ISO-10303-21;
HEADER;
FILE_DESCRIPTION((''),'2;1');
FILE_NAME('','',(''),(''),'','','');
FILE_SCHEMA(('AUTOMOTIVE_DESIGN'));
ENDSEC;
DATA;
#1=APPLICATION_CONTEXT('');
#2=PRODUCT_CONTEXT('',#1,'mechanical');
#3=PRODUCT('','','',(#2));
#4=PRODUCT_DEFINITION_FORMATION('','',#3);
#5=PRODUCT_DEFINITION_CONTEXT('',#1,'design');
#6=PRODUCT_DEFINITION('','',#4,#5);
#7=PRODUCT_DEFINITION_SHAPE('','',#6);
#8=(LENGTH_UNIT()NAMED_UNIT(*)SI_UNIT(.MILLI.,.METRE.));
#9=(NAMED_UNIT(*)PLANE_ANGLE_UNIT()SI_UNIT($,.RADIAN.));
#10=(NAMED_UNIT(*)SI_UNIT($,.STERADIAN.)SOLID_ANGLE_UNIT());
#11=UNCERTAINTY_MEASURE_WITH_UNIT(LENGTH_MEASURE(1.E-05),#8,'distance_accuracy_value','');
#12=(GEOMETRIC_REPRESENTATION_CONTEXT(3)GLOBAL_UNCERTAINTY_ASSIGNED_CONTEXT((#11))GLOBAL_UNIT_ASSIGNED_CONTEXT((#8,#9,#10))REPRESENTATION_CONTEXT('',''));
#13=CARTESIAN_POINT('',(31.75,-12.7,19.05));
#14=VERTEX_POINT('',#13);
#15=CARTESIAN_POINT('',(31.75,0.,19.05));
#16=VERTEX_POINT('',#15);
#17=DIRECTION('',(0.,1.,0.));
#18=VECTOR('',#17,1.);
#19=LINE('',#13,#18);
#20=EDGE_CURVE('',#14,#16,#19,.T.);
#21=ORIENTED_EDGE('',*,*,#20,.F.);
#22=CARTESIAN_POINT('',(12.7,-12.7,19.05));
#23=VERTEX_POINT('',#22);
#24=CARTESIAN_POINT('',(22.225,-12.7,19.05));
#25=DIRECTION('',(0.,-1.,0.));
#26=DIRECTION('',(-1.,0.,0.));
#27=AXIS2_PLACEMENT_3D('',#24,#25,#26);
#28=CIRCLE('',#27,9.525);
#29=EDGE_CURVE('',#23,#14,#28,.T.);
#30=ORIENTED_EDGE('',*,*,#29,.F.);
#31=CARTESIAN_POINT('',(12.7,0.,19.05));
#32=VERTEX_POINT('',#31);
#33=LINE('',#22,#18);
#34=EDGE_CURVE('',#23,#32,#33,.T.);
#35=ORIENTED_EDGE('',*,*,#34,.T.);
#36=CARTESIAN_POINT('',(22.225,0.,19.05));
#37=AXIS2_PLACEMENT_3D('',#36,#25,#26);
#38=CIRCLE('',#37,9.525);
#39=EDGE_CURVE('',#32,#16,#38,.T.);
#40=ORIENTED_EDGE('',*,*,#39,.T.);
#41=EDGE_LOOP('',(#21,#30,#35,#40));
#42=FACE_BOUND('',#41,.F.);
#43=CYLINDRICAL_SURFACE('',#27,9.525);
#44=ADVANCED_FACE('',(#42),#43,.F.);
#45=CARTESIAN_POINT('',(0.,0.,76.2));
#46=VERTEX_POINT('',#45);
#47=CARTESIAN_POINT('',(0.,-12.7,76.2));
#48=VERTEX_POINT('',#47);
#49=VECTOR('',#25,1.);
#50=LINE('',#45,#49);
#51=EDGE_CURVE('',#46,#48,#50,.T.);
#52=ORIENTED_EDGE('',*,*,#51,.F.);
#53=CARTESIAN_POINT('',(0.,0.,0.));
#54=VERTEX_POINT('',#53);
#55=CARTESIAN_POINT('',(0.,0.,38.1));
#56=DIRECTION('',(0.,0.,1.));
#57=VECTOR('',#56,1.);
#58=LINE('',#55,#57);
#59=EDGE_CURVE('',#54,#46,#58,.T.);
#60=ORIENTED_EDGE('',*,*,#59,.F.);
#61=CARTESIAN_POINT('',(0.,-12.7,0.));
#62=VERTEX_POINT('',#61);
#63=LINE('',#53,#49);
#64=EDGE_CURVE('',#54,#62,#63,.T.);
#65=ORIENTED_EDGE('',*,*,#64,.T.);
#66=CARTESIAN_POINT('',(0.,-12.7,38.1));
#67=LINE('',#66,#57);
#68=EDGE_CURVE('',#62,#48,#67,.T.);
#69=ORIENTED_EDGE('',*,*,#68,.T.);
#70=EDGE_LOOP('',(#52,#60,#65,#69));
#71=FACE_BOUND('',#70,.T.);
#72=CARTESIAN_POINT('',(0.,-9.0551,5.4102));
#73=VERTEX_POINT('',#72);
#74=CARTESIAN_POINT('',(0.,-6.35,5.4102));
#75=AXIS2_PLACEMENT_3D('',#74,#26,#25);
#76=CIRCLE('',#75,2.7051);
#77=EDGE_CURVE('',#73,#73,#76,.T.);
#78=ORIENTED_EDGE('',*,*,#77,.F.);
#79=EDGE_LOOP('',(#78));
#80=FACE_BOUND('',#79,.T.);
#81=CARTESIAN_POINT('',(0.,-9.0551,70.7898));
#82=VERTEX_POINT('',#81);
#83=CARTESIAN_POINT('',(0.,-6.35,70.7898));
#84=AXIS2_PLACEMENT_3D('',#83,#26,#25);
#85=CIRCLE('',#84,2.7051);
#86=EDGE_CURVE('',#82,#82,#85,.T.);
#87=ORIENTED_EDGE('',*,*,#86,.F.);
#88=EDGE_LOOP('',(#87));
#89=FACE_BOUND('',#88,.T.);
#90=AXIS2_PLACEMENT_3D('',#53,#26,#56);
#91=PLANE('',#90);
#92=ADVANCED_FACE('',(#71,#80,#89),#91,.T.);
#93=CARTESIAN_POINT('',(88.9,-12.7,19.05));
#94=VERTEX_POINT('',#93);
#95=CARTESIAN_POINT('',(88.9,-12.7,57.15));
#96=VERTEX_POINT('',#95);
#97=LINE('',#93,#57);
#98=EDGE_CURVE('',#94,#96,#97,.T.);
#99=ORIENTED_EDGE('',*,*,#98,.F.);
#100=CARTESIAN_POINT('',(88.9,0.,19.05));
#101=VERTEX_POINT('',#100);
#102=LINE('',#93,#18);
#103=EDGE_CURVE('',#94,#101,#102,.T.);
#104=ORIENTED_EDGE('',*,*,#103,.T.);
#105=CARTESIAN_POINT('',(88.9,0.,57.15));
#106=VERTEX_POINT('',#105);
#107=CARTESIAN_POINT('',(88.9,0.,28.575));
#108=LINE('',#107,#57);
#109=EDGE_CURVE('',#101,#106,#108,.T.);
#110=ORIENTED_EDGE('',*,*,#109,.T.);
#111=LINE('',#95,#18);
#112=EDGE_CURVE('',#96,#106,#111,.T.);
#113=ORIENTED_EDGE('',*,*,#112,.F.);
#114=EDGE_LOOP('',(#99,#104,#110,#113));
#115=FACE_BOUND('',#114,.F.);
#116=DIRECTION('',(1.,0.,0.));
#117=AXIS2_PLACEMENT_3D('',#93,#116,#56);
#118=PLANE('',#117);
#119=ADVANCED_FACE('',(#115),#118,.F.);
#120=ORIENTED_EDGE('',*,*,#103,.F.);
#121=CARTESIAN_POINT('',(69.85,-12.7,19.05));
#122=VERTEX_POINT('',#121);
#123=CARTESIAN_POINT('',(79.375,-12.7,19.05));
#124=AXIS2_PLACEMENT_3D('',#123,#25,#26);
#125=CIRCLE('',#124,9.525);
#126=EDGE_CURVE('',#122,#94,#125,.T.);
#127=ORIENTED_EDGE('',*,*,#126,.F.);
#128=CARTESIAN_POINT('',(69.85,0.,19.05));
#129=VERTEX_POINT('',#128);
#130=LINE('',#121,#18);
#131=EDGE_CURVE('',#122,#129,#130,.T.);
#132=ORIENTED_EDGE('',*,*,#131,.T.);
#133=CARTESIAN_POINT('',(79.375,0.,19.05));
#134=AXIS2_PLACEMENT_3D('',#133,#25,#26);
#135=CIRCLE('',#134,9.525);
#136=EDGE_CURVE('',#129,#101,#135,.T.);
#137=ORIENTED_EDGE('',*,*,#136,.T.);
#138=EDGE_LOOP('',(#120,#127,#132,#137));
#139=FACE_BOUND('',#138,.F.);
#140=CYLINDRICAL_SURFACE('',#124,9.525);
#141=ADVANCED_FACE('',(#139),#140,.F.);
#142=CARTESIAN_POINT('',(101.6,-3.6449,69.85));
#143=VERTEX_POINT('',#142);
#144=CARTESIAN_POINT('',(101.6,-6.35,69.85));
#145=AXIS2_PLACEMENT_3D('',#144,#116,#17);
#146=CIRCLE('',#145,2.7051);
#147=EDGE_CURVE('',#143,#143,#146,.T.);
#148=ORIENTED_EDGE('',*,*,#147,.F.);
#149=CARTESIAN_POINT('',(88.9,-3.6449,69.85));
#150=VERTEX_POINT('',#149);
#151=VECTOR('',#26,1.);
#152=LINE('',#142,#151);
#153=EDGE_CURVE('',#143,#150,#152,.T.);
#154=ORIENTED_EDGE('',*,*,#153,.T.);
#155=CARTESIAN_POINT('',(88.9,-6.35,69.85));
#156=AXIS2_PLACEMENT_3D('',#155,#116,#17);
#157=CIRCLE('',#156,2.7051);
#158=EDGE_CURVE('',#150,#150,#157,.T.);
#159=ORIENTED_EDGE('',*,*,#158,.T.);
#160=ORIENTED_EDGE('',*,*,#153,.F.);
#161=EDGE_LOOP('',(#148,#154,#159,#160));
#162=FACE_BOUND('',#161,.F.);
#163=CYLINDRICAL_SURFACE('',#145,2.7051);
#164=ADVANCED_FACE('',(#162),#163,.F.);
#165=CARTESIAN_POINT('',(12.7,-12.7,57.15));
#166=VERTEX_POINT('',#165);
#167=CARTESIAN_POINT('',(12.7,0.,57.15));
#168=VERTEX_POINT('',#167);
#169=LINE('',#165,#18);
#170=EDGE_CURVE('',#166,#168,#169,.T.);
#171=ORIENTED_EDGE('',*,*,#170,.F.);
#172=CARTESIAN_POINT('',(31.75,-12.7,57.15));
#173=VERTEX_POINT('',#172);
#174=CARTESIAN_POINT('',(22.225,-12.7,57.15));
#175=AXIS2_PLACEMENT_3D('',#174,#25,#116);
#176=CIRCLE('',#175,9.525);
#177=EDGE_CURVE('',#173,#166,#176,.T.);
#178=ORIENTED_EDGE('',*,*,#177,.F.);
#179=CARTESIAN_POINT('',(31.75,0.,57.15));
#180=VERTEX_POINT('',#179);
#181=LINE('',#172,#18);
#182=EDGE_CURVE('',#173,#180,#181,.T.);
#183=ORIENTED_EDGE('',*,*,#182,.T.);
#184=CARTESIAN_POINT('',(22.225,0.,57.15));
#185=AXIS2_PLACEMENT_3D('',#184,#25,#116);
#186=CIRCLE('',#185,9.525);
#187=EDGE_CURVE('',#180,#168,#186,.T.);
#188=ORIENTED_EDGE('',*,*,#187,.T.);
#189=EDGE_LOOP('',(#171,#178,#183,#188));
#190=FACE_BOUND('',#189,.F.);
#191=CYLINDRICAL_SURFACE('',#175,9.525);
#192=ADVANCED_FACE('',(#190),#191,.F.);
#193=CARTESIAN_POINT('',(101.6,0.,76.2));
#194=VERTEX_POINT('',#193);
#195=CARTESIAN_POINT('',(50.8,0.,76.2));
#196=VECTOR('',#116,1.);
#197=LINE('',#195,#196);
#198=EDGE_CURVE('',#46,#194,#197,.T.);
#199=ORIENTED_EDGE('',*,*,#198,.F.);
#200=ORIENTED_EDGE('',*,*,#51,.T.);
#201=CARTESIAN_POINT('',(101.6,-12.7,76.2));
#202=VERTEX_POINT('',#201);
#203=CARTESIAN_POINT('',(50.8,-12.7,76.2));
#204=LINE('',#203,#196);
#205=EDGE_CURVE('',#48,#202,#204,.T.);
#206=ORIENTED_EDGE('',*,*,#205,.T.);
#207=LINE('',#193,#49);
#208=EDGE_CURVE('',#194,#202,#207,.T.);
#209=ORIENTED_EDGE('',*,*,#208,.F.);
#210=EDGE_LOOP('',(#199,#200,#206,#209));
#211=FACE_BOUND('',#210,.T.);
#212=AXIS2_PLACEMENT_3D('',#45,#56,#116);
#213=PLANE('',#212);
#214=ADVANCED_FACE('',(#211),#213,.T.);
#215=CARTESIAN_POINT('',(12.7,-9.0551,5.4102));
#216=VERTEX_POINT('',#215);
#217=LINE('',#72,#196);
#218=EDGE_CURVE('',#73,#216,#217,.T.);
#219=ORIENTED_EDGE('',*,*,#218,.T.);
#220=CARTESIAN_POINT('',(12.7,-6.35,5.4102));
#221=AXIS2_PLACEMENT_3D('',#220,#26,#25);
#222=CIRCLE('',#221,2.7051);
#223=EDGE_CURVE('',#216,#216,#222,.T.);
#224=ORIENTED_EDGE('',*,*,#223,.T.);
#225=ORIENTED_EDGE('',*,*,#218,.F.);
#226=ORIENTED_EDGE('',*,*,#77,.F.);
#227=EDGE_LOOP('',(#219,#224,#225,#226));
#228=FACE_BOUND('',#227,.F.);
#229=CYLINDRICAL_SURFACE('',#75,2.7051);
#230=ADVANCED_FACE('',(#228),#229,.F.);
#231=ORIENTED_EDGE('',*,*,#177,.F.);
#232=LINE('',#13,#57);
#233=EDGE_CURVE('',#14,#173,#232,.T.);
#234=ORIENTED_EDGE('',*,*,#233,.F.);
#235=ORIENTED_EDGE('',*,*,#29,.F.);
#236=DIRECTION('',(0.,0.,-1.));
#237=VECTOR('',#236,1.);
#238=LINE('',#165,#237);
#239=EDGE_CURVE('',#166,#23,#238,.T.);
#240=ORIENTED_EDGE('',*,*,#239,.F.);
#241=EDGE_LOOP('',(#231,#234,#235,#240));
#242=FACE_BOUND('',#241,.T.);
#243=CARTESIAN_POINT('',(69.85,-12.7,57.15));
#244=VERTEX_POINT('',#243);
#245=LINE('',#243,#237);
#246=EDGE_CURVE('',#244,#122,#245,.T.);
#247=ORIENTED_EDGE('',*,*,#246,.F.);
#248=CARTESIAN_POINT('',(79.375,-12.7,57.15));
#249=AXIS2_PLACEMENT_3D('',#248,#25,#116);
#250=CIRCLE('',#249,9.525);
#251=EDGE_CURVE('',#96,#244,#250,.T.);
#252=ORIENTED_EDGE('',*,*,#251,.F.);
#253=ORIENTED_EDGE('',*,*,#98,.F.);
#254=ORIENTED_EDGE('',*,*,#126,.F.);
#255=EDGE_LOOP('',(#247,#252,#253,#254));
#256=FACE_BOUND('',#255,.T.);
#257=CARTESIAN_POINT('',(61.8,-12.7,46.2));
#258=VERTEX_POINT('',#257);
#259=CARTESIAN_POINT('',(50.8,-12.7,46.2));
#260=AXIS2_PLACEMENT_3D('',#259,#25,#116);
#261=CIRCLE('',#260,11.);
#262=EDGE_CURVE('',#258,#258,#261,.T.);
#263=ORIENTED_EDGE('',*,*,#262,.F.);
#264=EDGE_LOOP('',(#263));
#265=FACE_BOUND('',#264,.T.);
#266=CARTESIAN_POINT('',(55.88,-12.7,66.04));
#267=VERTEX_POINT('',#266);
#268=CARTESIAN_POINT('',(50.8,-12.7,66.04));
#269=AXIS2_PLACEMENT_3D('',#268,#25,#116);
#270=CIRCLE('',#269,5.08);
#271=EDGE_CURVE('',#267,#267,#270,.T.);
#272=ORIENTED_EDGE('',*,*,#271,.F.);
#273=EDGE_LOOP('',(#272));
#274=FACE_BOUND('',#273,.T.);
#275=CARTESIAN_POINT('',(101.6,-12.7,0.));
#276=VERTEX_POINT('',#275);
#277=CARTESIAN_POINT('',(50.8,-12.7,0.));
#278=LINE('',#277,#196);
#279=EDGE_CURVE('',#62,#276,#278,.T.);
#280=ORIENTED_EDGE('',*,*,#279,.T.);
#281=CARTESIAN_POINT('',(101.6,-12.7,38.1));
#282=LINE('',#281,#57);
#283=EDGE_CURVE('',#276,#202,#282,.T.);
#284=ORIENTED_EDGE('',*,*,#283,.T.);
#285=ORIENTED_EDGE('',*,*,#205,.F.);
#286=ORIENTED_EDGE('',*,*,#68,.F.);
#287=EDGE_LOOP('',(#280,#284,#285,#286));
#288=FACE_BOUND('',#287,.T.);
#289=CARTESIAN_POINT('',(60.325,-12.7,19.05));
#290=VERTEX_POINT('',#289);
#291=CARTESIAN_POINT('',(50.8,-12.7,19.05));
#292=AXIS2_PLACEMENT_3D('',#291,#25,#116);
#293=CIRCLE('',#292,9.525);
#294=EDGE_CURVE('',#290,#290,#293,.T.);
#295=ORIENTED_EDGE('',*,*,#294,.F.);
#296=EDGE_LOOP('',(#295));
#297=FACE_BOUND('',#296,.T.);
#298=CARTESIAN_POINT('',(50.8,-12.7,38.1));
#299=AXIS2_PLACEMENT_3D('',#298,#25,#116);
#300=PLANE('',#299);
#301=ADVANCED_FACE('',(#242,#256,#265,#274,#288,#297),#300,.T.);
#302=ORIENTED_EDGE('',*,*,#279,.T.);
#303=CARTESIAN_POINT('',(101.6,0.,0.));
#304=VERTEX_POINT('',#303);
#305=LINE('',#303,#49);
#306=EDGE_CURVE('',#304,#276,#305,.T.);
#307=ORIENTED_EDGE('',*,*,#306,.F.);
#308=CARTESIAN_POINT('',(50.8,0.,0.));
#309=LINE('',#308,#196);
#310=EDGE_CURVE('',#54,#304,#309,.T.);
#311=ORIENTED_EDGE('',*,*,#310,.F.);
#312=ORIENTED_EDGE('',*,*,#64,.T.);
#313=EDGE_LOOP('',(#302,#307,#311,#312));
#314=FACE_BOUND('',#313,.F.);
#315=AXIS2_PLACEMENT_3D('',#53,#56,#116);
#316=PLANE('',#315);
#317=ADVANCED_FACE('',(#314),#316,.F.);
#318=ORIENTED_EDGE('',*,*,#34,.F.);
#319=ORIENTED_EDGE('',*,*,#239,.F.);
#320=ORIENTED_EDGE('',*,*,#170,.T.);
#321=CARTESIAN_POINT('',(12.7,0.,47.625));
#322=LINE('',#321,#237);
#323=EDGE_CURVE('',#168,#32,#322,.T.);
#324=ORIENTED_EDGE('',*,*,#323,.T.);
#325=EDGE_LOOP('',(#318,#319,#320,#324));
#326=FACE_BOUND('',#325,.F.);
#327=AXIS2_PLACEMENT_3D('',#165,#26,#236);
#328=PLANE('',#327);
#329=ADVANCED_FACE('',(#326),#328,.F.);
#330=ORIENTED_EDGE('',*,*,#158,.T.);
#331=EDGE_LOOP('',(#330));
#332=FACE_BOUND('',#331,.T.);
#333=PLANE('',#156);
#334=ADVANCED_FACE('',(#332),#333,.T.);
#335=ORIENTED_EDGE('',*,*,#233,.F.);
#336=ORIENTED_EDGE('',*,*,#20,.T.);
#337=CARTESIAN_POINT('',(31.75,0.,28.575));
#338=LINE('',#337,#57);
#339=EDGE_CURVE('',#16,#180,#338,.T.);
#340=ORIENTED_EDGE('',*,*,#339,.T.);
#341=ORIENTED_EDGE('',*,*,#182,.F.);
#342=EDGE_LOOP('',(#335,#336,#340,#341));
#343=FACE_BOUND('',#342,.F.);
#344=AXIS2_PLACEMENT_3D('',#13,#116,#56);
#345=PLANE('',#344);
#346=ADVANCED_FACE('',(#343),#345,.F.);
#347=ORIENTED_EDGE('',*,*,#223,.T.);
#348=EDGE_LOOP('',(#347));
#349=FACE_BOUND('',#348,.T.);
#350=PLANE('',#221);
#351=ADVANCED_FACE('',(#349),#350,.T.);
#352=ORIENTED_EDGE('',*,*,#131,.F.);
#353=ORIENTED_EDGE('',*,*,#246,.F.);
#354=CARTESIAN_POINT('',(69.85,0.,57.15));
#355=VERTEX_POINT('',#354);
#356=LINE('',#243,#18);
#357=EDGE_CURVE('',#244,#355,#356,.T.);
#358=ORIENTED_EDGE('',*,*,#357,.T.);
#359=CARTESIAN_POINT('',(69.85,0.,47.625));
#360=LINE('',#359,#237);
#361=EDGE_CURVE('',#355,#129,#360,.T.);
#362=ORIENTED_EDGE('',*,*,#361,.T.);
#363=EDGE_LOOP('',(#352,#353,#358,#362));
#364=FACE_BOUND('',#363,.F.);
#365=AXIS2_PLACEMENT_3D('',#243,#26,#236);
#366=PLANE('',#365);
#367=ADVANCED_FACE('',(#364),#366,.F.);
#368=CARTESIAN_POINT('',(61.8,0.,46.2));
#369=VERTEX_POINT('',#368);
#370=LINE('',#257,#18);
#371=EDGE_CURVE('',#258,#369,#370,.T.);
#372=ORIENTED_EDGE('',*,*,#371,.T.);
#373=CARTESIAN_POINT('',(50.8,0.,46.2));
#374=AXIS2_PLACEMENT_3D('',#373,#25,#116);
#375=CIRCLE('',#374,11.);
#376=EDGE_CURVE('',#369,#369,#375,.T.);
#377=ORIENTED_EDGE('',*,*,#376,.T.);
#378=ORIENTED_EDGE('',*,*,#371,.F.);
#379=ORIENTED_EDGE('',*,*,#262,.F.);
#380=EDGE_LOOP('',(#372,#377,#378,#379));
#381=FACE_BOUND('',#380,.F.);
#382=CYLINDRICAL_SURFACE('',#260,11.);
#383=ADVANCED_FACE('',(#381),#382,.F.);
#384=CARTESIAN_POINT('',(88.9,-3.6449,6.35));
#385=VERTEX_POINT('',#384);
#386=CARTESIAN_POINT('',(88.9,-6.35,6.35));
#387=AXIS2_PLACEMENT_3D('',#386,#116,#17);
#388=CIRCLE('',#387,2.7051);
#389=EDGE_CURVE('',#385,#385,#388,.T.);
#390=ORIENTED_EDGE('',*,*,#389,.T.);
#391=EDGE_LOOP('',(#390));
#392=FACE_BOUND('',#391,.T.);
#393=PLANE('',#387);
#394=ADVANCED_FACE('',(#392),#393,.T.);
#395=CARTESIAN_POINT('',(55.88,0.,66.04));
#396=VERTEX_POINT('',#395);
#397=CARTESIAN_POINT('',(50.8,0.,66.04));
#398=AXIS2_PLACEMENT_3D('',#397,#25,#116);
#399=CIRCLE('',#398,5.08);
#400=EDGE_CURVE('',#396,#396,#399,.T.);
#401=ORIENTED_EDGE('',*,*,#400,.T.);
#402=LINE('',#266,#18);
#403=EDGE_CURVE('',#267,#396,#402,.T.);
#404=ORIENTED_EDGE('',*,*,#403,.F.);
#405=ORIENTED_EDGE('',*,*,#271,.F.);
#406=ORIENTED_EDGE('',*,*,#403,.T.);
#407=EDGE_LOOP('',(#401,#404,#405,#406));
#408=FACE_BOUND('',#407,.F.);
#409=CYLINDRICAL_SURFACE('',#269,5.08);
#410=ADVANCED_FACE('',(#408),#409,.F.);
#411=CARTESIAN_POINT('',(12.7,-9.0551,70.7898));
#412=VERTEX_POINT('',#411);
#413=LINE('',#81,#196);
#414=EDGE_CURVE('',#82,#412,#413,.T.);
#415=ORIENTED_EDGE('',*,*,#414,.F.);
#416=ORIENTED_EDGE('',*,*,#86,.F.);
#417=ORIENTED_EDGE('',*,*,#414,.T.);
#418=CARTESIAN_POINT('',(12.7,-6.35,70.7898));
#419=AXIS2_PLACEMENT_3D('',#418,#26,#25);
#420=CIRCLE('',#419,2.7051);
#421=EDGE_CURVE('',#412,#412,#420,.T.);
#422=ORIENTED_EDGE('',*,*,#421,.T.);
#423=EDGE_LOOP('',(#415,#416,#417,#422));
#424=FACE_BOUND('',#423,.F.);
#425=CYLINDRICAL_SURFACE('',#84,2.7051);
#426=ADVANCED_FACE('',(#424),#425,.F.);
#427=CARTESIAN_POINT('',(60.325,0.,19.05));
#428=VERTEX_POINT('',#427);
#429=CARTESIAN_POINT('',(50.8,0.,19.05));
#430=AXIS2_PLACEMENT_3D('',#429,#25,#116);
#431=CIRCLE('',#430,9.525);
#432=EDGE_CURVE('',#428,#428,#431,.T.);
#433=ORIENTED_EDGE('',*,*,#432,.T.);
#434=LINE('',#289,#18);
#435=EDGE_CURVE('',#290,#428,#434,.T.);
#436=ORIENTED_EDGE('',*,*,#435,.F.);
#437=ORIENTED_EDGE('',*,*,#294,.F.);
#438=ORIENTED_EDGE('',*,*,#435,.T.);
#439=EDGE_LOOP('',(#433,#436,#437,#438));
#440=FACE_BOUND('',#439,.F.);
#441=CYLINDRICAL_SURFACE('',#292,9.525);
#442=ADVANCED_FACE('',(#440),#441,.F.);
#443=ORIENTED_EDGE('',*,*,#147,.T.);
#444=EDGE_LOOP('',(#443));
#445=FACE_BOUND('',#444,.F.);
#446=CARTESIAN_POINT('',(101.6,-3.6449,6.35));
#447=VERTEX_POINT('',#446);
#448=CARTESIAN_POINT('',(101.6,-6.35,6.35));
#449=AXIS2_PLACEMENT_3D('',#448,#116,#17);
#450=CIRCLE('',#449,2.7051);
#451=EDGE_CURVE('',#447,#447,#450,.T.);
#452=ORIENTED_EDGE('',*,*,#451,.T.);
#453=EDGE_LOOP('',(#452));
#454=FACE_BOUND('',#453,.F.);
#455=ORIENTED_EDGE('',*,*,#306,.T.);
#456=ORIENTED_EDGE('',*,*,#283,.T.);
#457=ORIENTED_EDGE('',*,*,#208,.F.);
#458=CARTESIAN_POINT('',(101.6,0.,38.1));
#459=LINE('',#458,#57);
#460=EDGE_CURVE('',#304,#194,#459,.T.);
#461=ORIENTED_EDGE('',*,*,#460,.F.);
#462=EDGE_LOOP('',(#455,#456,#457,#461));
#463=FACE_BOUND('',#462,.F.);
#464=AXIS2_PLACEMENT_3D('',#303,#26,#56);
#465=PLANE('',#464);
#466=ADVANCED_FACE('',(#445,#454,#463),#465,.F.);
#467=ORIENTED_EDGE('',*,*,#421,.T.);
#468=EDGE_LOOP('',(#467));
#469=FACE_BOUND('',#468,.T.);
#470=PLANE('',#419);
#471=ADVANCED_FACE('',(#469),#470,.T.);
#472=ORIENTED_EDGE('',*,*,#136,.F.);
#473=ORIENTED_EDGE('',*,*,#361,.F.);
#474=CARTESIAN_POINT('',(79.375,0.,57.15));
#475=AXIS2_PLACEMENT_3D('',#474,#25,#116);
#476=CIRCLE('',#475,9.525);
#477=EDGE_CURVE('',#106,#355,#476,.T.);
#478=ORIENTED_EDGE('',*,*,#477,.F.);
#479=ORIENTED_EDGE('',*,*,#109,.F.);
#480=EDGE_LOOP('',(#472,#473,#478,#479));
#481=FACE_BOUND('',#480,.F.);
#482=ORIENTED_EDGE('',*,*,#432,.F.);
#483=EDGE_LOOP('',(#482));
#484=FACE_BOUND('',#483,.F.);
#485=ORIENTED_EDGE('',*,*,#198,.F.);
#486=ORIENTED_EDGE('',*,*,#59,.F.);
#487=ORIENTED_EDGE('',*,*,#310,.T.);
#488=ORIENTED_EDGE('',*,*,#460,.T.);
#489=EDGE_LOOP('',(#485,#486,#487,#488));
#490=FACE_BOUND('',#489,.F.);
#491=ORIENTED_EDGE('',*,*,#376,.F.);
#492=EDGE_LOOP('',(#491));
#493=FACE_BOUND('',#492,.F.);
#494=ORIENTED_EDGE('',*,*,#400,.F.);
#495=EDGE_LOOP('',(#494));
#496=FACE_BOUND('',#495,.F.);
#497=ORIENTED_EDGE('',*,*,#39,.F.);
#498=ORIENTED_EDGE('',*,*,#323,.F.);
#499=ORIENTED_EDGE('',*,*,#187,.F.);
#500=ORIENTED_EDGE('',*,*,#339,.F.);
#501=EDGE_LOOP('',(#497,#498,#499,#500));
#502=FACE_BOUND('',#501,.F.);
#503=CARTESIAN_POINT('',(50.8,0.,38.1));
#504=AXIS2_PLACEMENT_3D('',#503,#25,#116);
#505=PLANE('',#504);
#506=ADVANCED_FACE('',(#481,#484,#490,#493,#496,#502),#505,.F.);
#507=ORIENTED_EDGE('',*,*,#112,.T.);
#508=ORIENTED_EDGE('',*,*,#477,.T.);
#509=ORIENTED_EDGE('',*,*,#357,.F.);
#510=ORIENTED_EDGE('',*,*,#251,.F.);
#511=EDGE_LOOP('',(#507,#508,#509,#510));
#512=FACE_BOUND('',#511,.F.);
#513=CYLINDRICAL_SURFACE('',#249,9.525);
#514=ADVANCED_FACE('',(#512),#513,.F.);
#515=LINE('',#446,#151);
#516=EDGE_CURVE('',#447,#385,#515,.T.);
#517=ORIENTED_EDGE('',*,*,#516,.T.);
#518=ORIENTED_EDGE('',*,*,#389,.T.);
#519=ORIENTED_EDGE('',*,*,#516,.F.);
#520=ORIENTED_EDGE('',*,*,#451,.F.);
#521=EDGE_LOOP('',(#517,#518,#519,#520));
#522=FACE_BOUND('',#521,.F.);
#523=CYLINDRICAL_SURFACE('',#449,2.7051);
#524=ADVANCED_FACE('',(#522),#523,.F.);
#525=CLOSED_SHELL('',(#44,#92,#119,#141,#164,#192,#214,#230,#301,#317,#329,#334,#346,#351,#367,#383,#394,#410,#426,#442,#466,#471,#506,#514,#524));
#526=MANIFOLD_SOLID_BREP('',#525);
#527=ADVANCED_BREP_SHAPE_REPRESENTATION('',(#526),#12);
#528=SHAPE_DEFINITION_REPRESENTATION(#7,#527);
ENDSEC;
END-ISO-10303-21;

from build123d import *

# Parameters (mm, degrees)
F0_W     = 101.6
F0_H     = 76.2
F1_DEPTH = 12.7
F2_R     = 11
F3_DEPTH = 25.4
F4_R     = 9.525
F4_R_2   = 5.08
F5_DEPTH = 25.4
F6_R     = 2.7051
F7_DEPTH = 12.7
F8_R     = 2.7051
F9_DEPTH = 12.7


with BuildPart() as f1:
    # F0 (on Front) → F1 (new body)
    with BuildSketch(Plane.XZ):
        with Locations((50.8, 38.1)):
            Rectangle(F0_W, F0_H)
    extrude(amount=F1_DEPTH)

    # F2 (on face) → F3 (cut)
    with BuildSketch(Plane.XZ.offset(12.7)):
        with Locations((50.8, 46.2)):
            Circle(F2_R)
    extrude(amount=-F3_DEPTH, mode=Mode.SUBTRACT)

    # F4 (on face) → F5 (cut)
    with BuildSketch(Plane.XZ.offset(12.7)):
        with Locations((50.8, 19.05)):
            Circle(F4_R)
        with BuildLine():
            ThreePointArc((31.75, 57.15), (22.225, 66.675), (12.7, 57.15))
            Line((12.7, 57.15), (12.7, 38.1))
            Line((12.7, 38.1), (31.75, 38.1))
            Line((31.75, 38.1), (31.75, 57.15))
        make_face()
        with BuildLine():
            Line((31.75, 38.1), (12.7, 38.1))
            Line((12.7, 38.1), (12.7, 19.05))
            ThreePointArc((12.7, 19.05), (22.225, 9.525), (31.75, 19.05))
            Line((31.75, 19.05), (31.75, 38.1))
        make_face()
        with BuildLine():
            ThreePointArc((88.9, 57.15), (79.375, 66.675), (69.85, 57.15))
            Line((69.85, 57.15), (69.85, 19.05))
            ThreePointArc((69.85, 19.05), (79.375, 9.525), (88.9, 19.05))
            Line((88.9, 19.05), (88.9, 57.15))
        make_face()
        with Locations((50.8, 66.04)):
            Circle(F4_R_2)
    extrude(amount=-F5_DEPTH, mode=Mode.SUBTRACT)

    # F6 (on face) → F7 (cut)
    with BuildSketch(Plane.YZ.offset(101.6)):
        with Locations((-6.35, 69.85)):
            Circle(F6_R)
        with Locations((-6.35, 6.35)):
            Circle(F6_R)
    extrude(amount=-F7_DEPTH, mode=Mode.SUBTRACT)

    # F8 (on face) → F9 (cut)
    with BuildSketch(Plane(origin=(0, 0, 0), x_dir=(0, -1, 0), z_dir=(-1, 0, 0))):
        with Locations((6.35, 70.7898)):
            Circle(F8_R)
        with Locations((6.35, 5.4102)):
            Circle(F8_R)
    extrude(amount=-F9_DEPTH, mode=Mode.SUBTRACT)


solid = f1.part
